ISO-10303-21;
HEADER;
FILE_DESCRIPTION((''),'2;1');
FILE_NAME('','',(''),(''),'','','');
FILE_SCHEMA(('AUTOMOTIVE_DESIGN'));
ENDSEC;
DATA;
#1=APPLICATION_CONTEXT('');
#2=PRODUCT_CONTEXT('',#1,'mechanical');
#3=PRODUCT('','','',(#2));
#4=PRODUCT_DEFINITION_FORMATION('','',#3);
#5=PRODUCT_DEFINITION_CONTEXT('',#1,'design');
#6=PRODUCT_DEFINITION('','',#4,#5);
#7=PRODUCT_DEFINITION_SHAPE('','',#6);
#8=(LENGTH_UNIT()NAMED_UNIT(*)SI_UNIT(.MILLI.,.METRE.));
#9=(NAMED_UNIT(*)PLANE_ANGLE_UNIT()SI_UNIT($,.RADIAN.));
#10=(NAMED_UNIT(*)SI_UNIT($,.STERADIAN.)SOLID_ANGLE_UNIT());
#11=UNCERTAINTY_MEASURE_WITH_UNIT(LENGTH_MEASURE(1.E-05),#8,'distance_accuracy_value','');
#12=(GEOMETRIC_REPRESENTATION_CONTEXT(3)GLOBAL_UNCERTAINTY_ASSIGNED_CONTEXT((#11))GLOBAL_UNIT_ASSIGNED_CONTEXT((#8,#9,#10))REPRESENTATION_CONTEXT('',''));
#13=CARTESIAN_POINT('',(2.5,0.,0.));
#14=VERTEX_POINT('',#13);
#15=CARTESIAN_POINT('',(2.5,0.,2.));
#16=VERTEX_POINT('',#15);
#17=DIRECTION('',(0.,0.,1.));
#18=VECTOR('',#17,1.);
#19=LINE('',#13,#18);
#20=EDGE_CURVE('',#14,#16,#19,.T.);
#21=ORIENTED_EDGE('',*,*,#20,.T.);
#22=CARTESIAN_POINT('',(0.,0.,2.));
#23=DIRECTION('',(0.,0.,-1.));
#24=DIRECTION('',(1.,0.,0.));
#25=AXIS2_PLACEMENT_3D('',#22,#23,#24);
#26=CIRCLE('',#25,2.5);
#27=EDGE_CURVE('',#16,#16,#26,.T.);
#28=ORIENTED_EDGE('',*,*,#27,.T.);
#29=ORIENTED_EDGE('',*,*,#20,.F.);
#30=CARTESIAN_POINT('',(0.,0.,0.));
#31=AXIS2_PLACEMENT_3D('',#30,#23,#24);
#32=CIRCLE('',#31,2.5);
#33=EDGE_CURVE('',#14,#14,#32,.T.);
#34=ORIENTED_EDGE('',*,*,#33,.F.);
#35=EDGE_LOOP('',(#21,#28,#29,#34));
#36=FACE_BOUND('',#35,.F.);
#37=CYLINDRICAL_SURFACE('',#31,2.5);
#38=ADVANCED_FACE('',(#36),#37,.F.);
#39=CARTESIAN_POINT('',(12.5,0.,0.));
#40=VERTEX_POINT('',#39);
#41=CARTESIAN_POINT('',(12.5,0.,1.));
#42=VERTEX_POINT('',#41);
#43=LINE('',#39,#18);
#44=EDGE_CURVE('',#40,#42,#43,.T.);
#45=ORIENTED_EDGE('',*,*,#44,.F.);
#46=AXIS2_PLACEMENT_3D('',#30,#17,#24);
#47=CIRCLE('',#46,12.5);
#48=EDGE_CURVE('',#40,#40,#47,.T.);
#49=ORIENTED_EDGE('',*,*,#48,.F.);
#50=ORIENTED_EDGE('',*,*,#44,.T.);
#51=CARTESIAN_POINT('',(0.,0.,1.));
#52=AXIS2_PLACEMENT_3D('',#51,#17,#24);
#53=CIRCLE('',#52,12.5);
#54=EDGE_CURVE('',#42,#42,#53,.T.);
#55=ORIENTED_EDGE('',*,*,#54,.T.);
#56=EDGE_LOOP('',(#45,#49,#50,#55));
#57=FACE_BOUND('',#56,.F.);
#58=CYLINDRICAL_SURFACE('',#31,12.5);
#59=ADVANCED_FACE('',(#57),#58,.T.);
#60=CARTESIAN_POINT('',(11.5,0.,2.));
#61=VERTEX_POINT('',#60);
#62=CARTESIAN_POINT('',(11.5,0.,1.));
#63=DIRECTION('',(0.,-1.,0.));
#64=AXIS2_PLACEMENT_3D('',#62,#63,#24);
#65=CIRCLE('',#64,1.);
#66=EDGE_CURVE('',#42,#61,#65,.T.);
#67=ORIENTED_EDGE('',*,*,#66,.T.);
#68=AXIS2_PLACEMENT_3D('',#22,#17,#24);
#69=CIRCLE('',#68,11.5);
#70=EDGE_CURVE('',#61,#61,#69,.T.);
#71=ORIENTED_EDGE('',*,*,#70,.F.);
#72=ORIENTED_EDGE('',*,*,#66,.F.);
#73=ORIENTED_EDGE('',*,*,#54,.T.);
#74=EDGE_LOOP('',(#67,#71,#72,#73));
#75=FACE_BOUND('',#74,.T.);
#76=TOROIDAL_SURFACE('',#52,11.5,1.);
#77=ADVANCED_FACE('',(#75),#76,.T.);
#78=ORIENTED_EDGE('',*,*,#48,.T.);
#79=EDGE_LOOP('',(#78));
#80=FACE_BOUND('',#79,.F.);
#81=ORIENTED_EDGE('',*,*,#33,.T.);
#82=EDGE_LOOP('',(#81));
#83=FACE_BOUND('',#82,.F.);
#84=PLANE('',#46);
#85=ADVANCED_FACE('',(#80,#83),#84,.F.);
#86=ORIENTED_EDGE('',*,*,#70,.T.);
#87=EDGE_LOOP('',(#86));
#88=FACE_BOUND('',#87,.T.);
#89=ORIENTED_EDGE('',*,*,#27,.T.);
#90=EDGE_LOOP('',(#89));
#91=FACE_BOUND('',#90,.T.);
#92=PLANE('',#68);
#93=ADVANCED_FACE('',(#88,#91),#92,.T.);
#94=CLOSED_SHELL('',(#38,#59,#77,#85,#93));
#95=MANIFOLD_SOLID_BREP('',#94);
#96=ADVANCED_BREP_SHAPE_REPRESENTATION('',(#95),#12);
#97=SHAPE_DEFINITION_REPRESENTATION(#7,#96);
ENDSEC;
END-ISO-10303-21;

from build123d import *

# Parameters (mm, degrees)
F0_R     = 12.5
F1_DEPTH = 2
F2_R     = 1
F3_R     = 2.5
F4_DEPTH = 25.4


with BuildPart() as f1:
    # F0 (on Top) → F1 (new body)
    with BuildSketch(Plane.XY):
        Circle(F0_R)
    extrude(amount=F1_DEPTH)

    # F2
    f2_edges = [f1.edges().sort_by_distance(p)[0] for p in [
        (-12.5, 0, 2),
    ]]
    fillet(f2_edges, radius=F2_R)

    # F3 (on face) → F4 (cut)
    with BuildSketch(Plane(origin=(0, 0, 0), x_dir=(1, 0, 0), z_dir=(0, 0, -1))):
        Circle(F3_R)
    extrude(amount=-F4_DEPTH, mode=Mode.SUBTRACT)


solid = f1.part
